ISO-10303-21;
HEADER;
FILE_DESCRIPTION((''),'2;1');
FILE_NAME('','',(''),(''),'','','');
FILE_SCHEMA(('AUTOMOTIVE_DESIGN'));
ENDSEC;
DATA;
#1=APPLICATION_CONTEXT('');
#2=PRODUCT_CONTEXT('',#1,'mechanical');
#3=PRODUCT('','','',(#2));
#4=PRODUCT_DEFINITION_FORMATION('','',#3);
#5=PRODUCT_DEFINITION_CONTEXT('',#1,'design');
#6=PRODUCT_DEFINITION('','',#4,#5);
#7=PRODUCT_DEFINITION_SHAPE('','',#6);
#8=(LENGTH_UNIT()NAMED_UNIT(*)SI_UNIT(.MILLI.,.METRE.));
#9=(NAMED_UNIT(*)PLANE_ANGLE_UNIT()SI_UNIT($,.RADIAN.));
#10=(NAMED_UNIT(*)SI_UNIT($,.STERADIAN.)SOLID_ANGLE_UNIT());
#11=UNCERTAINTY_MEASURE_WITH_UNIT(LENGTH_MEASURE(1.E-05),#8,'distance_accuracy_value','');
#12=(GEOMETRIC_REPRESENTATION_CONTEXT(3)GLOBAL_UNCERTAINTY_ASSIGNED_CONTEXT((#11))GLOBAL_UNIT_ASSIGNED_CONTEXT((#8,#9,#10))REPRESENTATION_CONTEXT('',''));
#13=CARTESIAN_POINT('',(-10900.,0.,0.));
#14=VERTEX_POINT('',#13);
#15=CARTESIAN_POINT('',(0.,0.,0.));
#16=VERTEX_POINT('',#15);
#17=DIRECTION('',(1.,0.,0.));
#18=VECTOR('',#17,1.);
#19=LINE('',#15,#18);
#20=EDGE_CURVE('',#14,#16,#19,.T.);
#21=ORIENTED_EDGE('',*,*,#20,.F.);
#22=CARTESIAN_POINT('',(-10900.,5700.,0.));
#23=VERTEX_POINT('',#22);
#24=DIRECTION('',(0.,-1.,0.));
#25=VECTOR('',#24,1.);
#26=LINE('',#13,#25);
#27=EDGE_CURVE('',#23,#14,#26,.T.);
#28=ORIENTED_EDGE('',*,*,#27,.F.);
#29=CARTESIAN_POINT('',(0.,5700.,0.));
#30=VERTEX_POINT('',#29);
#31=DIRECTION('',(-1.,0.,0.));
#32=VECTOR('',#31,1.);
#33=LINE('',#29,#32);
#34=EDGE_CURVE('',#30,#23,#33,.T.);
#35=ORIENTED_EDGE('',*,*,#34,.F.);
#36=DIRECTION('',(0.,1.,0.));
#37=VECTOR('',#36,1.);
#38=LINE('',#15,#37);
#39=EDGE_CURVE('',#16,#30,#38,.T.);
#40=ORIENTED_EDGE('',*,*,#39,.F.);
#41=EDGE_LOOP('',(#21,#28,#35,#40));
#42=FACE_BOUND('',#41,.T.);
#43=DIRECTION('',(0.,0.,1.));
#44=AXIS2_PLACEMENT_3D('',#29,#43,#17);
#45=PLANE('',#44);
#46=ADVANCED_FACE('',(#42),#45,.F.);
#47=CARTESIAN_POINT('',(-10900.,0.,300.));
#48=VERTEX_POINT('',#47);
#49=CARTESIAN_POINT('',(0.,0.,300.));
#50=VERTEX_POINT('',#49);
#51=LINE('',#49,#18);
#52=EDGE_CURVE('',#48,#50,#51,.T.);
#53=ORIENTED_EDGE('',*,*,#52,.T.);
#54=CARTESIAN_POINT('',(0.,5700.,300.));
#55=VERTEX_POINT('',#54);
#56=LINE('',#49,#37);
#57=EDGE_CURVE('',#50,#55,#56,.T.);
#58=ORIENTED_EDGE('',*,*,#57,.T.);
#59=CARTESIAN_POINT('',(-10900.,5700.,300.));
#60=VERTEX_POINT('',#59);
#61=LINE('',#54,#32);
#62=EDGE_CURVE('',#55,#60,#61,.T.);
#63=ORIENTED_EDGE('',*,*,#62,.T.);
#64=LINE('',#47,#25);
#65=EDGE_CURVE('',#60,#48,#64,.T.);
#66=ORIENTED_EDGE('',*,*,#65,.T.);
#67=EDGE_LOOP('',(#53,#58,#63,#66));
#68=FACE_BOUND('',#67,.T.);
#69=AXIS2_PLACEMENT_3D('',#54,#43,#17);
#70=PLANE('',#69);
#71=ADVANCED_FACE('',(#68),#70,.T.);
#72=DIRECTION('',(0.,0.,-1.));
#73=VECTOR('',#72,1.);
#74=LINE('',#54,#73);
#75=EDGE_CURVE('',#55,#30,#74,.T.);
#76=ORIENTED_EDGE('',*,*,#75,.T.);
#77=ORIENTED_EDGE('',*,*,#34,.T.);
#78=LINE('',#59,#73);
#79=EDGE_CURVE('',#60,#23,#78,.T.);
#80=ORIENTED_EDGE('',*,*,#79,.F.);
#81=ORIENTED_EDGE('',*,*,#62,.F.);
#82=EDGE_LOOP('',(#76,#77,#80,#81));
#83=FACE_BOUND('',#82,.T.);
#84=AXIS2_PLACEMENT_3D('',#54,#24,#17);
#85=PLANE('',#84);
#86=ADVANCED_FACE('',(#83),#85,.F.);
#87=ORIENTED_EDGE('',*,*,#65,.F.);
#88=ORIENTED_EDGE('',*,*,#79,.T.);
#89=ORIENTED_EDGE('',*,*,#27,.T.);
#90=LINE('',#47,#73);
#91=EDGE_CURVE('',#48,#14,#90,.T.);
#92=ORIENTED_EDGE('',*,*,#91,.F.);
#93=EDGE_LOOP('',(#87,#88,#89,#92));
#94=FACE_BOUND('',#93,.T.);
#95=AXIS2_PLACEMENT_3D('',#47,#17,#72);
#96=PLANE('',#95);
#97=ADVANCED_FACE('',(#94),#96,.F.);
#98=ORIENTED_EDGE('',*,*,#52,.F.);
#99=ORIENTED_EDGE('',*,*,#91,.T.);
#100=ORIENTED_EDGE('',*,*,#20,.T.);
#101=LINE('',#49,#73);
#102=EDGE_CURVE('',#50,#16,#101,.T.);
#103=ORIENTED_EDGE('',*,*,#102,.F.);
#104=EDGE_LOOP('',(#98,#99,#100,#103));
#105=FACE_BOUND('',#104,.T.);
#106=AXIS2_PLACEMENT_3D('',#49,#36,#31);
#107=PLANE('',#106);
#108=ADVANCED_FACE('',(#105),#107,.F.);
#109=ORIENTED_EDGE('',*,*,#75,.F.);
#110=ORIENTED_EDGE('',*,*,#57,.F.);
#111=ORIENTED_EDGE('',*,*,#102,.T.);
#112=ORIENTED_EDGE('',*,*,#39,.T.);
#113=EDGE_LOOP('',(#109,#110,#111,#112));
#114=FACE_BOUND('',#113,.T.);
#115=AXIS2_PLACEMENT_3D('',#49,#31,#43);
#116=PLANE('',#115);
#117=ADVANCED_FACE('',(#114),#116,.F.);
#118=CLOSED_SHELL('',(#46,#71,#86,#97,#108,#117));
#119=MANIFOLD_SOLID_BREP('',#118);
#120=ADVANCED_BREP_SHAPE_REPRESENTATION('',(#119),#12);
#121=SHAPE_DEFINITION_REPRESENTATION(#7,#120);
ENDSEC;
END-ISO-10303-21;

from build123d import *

# Parameters (mm, degrees)
SKETCH1_W      = 10900
SKETCH1_H      = 5700
EXTRUDE1_DEPTH = 300


with BuildPart() as part:
    # Sketch1 → Extrude1 (new body)
    with BuildSketch(Plane.XY):
        with Locations((-5450, 2850)):
            Rectangle(SKETCH1_W, SKETCH1_H)
    extrude(amount=EXTRUDE1_DEPTH)


solid = part.part
